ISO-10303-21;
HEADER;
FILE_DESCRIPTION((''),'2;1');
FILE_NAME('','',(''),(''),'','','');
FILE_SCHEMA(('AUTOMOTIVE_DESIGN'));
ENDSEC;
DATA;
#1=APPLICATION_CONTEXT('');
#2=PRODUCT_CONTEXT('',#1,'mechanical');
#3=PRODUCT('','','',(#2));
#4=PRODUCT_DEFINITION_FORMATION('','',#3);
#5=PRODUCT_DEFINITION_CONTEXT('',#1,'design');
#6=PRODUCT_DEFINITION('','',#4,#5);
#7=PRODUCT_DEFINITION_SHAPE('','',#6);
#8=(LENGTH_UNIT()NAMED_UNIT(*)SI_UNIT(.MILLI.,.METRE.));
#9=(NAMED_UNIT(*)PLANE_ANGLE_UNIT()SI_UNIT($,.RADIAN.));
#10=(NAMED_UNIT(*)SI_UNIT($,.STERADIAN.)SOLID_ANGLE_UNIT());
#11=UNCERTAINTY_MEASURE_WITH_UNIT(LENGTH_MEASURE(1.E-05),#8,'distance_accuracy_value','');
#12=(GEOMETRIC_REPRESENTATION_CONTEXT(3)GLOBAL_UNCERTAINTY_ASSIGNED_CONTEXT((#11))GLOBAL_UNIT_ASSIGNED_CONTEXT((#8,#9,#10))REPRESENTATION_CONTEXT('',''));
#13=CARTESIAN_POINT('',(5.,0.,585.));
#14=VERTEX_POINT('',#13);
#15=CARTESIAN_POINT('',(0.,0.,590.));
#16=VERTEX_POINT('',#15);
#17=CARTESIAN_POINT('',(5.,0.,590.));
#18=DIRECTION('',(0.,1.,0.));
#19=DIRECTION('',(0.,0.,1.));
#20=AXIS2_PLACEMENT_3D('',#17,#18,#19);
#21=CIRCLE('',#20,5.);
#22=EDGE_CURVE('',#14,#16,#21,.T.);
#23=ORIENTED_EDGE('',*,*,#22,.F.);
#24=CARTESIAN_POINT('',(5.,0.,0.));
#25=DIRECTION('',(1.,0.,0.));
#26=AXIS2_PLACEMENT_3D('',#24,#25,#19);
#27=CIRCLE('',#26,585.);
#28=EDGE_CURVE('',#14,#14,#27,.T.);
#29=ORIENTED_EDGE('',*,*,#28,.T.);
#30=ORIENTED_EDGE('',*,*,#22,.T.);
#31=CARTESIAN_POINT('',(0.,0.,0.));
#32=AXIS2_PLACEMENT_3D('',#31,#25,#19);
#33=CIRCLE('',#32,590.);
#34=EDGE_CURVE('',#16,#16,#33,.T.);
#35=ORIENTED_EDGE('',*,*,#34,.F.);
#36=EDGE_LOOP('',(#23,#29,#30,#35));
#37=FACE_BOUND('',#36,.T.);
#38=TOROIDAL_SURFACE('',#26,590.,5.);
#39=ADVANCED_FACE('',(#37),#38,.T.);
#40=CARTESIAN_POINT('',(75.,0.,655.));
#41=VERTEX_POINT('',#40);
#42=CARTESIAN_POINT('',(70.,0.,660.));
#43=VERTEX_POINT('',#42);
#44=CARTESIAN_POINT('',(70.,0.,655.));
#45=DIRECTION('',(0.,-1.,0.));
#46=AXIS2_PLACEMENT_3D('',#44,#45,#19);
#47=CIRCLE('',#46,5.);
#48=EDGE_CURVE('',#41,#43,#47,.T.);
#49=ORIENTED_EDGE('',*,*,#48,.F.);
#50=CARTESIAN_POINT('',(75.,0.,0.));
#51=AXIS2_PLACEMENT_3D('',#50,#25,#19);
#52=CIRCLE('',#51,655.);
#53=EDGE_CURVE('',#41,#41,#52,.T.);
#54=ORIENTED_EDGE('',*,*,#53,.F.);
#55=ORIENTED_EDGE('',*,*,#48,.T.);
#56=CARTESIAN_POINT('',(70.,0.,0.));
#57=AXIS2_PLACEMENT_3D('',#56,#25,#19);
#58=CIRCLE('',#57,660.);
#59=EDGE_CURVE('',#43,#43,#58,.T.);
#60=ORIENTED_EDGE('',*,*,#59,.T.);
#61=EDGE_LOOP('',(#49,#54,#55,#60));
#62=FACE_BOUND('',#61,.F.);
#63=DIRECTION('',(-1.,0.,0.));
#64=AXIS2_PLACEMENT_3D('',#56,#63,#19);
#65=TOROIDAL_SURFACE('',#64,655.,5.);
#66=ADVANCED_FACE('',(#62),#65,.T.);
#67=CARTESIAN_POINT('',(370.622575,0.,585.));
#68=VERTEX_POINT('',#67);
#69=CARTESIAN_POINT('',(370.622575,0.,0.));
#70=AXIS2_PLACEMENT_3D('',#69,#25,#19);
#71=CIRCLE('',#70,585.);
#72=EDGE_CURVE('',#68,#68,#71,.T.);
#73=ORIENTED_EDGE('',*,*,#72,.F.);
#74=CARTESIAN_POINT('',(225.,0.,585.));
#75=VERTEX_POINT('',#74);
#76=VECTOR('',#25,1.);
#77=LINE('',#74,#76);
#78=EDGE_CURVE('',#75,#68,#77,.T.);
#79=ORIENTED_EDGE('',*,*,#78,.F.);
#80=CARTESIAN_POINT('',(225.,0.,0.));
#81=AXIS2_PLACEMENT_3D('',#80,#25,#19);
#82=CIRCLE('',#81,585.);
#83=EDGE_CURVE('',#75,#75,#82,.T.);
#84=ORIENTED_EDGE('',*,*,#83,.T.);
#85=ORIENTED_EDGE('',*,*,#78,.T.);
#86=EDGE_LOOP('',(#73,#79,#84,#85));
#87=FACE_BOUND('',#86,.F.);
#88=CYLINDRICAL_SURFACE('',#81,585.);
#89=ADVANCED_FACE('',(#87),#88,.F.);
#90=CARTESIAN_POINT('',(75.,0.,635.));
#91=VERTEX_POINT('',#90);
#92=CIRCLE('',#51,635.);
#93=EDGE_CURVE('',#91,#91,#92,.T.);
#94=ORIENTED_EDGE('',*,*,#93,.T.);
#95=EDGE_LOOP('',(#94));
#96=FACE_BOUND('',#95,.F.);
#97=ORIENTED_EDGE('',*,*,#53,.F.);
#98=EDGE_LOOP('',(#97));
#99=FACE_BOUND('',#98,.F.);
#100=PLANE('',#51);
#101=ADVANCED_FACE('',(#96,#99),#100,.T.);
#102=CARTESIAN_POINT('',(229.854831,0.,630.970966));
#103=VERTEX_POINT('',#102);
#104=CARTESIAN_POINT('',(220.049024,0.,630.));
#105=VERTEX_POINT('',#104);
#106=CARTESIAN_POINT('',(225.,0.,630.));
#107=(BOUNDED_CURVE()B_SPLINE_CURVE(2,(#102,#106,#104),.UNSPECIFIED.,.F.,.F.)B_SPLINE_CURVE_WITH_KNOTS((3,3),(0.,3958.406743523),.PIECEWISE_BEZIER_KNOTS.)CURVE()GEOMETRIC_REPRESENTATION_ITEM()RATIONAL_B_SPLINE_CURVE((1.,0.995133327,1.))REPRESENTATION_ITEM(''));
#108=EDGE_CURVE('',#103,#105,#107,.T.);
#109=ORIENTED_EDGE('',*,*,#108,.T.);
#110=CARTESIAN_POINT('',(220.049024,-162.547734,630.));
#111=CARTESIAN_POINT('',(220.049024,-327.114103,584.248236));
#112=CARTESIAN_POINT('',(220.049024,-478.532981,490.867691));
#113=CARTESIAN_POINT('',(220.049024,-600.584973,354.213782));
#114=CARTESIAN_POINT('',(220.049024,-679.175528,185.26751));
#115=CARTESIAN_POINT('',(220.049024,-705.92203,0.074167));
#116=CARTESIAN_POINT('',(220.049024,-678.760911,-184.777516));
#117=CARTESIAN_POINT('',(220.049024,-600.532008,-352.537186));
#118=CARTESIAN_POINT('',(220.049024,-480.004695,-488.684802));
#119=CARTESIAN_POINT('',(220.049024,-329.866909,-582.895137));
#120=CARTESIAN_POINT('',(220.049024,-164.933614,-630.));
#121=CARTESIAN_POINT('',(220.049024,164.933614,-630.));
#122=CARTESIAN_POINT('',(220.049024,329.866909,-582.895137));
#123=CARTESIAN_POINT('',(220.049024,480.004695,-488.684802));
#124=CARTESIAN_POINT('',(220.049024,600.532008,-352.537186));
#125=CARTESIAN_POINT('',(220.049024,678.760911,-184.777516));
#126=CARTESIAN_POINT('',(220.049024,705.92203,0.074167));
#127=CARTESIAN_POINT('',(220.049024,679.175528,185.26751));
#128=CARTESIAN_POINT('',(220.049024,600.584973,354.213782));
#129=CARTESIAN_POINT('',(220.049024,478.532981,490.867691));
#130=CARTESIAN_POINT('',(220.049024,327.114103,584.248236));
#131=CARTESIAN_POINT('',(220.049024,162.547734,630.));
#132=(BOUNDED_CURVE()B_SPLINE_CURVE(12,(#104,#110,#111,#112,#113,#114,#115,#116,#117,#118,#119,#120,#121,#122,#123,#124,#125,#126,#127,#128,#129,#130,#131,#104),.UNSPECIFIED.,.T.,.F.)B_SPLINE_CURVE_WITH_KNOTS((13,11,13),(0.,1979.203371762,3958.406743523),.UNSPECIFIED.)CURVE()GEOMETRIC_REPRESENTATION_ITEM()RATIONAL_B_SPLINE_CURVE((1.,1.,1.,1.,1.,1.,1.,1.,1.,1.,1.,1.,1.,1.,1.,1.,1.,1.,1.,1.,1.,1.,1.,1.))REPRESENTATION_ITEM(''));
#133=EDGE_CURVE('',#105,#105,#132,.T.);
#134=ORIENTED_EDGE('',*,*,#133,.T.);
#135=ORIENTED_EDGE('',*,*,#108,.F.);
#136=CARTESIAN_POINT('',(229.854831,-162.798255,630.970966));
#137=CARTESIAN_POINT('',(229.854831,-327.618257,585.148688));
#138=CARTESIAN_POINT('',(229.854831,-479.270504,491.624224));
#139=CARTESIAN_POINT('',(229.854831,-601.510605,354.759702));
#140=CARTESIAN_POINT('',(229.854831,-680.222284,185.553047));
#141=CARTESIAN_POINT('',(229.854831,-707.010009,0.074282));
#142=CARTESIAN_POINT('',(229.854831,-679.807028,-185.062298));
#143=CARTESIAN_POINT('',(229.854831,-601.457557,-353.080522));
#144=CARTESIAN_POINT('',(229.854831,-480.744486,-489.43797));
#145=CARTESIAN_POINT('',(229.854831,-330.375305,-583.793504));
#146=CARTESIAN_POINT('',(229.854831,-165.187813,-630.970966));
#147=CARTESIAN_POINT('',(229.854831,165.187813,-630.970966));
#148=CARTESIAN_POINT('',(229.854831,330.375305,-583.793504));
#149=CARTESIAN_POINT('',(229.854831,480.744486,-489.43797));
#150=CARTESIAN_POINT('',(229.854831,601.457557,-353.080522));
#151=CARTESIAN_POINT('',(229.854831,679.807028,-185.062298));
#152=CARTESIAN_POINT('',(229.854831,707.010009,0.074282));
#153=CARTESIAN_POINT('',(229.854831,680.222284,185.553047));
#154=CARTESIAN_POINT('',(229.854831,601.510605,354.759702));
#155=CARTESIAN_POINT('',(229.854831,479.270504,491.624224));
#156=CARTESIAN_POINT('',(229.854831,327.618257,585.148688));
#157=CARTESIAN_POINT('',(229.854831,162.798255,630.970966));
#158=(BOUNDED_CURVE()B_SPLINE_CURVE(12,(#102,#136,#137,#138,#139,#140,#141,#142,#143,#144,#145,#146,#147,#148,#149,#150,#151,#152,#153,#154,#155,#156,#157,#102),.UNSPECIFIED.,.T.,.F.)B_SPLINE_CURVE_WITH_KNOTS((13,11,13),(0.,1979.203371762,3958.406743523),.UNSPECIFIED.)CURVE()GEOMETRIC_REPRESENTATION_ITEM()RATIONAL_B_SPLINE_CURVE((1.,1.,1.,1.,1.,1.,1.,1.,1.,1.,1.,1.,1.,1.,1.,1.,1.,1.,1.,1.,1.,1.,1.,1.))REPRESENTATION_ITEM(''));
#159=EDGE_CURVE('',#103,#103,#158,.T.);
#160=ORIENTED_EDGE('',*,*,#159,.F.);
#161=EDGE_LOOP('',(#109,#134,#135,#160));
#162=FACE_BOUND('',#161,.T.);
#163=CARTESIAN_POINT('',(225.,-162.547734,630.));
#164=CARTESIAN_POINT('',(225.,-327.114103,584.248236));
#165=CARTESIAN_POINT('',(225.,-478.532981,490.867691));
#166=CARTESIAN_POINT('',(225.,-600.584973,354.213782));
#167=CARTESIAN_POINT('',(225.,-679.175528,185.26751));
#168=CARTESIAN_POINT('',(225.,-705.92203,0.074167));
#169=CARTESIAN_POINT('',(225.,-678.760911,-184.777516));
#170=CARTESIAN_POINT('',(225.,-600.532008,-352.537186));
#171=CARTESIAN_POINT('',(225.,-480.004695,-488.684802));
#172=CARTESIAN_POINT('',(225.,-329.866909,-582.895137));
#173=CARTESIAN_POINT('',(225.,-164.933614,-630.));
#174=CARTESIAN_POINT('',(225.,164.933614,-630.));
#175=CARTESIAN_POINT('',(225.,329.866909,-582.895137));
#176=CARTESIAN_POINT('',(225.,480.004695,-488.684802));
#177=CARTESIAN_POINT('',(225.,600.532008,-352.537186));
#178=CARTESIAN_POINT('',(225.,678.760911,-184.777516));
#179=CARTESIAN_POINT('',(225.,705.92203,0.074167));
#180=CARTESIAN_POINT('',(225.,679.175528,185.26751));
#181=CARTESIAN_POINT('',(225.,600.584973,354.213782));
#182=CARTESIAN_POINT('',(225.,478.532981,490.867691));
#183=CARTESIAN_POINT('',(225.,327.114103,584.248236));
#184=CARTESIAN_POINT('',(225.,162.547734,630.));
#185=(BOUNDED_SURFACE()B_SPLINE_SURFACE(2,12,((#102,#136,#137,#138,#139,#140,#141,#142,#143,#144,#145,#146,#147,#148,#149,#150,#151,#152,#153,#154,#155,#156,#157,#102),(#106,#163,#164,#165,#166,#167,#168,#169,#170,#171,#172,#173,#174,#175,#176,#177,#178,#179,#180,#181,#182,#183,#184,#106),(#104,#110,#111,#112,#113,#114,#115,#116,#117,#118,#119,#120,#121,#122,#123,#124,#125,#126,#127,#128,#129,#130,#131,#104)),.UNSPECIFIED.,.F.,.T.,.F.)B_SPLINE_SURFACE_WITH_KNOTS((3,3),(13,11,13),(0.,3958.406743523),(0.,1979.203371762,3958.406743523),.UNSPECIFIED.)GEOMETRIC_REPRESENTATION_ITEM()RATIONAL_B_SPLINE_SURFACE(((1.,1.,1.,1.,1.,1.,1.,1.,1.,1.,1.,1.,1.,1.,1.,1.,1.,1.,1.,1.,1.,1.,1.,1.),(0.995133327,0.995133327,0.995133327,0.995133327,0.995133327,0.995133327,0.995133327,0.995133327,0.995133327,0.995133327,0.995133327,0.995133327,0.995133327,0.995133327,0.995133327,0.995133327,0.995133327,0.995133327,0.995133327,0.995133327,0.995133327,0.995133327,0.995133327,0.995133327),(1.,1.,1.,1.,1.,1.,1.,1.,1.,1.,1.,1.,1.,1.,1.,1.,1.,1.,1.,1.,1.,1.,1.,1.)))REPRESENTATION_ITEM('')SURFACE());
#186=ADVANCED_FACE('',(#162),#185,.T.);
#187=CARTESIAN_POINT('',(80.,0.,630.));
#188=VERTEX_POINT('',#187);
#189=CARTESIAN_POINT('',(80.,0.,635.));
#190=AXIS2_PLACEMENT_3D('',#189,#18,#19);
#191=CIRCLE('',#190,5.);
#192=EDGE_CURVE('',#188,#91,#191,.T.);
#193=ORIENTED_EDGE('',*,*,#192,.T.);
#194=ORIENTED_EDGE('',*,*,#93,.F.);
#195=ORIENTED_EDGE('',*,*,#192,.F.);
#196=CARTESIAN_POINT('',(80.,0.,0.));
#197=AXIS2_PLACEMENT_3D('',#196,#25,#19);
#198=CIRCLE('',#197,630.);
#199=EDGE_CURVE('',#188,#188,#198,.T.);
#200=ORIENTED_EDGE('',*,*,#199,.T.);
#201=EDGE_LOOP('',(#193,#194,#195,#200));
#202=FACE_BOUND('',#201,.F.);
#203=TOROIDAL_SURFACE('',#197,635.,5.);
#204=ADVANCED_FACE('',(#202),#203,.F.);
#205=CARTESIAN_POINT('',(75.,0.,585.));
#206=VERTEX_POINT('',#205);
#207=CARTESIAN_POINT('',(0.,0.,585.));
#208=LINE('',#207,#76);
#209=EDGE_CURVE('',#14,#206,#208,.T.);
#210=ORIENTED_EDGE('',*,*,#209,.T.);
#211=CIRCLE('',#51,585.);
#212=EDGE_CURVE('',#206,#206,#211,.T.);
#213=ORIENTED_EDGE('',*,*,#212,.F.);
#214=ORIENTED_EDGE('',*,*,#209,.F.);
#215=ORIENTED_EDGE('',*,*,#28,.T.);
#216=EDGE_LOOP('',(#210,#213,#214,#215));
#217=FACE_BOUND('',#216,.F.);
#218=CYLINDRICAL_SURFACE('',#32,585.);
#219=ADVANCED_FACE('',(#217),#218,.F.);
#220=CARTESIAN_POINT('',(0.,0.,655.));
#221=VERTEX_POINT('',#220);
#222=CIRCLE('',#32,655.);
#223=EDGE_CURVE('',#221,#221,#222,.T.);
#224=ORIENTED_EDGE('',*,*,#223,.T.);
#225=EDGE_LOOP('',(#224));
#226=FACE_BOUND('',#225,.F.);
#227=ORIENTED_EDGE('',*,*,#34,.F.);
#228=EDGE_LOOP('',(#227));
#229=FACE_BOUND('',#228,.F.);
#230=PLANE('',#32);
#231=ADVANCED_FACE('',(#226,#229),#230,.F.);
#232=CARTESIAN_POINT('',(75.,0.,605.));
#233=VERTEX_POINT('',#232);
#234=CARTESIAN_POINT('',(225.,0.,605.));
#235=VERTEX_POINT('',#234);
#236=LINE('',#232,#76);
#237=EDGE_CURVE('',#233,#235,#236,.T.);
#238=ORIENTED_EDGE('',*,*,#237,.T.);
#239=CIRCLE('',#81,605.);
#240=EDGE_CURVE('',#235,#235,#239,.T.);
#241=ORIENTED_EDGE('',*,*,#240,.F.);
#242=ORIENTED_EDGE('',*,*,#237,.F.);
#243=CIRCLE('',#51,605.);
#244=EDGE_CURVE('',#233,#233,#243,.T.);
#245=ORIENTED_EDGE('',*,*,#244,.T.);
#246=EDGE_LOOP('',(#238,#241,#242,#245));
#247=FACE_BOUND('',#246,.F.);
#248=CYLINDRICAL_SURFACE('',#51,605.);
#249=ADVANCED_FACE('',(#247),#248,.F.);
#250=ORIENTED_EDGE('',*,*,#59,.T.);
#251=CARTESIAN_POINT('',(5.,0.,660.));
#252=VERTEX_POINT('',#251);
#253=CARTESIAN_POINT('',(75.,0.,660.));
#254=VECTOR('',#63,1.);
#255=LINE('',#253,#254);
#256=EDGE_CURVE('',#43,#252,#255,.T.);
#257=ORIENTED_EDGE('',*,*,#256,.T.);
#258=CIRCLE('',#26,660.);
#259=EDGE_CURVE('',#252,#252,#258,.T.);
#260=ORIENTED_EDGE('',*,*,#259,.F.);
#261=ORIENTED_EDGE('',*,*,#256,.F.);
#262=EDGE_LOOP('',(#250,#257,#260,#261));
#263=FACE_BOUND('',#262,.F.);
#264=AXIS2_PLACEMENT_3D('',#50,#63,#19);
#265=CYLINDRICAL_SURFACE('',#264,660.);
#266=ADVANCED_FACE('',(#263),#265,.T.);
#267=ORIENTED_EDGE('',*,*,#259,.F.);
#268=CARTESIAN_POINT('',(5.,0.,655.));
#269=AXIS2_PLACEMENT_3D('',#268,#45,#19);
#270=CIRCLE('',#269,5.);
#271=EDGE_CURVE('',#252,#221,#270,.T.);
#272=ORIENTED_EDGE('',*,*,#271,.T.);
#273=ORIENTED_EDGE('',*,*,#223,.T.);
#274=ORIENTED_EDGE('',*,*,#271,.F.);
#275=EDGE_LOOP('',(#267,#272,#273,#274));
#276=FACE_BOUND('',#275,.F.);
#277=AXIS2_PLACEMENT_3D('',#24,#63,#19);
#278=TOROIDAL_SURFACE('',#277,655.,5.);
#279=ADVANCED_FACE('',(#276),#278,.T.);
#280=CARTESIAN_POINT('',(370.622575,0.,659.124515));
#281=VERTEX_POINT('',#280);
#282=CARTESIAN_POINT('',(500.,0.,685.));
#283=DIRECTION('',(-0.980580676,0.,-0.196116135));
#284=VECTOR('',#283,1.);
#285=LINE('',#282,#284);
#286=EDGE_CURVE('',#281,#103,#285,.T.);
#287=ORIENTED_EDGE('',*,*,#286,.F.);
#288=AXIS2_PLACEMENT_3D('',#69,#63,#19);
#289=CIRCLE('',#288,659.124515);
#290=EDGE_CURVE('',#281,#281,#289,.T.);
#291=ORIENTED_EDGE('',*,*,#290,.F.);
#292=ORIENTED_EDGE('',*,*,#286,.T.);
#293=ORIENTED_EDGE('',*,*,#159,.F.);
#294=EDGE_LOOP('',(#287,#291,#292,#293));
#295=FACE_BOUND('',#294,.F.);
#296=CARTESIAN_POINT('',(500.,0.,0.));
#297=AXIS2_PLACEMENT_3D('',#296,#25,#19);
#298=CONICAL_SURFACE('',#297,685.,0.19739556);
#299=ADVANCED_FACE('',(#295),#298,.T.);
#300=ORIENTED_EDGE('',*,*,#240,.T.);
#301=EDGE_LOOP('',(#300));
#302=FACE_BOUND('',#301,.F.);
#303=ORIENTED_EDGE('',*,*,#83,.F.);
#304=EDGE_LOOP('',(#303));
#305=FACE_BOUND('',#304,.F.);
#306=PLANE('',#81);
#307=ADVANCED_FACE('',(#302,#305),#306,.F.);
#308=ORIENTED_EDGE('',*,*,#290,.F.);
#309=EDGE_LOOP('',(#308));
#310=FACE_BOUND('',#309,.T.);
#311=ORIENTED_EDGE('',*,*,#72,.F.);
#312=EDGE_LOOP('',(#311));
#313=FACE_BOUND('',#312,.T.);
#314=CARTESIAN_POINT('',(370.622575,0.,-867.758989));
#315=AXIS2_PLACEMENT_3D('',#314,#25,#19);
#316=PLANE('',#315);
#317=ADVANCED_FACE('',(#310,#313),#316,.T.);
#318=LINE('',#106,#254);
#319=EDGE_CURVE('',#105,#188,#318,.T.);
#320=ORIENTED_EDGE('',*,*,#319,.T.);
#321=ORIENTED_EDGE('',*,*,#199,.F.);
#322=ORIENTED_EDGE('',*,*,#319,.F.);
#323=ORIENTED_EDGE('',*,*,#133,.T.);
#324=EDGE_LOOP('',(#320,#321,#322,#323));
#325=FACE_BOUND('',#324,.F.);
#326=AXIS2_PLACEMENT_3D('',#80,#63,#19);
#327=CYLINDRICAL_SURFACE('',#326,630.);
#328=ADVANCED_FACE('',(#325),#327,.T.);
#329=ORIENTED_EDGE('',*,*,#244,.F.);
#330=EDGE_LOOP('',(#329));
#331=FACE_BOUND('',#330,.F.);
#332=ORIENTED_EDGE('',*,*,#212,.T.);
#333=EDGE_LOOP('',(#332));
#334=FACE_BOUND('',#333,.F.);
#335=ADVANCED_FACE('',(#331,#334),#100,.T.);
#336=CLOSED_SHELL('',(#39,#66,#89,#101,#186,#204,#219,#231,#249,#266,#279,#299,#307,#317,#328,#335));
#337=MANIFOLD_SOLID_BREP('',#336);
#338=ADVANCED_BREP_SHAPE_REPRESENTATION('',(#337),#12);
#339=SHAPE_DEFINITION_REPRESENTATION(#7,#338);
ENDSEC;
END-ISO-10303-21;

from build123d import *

# Parameters (mm, degrees)
F3_R     = 50
F4_R     = 5
F5_W     = 906.862557
F5_H     = 1744.742334
F6_DEPTH = 1000


with BuildPart() as f2:
    # F0 (on Front) → F2 (revolve)
    with BuildSketch(Plane.XZ):
        Polygon((75, 660), (0, 660), (0, 585), (75, 585), (75, 605), (225, 605), (225, 585), (1070, 585), (1070, 685), (500, 685), (225, 630), (75, 630), align=None)
    revolve(axis=Axis((388.548315, 0, 0), (1, 0, 0)))

    # F3
    f3_edges = [f2.edges().sort_by_distance(p)[0] for p in [
        (500, 0, -685),
        (225, 0, -630),
    ]]
    fillet(f3_edges, radius=F3_R)

    # F4
    f4_edges = [f2.edges().sort_by_distance(p)[0] for p in [
        (75, 0, -660),
        (75, 0, -630),
        (0, 0, -660),
        (0, 0, -585),
        (1070, 0, -685),
    ]]
    fillet(f4_edges, radius=F4_R)

    # F5 (on Front) → F6 (cut, symmetric)
    with BuildSketch(Plane.XZ):
        with Locations((824.053854, 4.612178)):
            Rectangle(F5_W, F5_H)
    extrude(amount=F6_DEPTH, both=True, mode=Mode.SUBTRACT)


solid = f2.part
